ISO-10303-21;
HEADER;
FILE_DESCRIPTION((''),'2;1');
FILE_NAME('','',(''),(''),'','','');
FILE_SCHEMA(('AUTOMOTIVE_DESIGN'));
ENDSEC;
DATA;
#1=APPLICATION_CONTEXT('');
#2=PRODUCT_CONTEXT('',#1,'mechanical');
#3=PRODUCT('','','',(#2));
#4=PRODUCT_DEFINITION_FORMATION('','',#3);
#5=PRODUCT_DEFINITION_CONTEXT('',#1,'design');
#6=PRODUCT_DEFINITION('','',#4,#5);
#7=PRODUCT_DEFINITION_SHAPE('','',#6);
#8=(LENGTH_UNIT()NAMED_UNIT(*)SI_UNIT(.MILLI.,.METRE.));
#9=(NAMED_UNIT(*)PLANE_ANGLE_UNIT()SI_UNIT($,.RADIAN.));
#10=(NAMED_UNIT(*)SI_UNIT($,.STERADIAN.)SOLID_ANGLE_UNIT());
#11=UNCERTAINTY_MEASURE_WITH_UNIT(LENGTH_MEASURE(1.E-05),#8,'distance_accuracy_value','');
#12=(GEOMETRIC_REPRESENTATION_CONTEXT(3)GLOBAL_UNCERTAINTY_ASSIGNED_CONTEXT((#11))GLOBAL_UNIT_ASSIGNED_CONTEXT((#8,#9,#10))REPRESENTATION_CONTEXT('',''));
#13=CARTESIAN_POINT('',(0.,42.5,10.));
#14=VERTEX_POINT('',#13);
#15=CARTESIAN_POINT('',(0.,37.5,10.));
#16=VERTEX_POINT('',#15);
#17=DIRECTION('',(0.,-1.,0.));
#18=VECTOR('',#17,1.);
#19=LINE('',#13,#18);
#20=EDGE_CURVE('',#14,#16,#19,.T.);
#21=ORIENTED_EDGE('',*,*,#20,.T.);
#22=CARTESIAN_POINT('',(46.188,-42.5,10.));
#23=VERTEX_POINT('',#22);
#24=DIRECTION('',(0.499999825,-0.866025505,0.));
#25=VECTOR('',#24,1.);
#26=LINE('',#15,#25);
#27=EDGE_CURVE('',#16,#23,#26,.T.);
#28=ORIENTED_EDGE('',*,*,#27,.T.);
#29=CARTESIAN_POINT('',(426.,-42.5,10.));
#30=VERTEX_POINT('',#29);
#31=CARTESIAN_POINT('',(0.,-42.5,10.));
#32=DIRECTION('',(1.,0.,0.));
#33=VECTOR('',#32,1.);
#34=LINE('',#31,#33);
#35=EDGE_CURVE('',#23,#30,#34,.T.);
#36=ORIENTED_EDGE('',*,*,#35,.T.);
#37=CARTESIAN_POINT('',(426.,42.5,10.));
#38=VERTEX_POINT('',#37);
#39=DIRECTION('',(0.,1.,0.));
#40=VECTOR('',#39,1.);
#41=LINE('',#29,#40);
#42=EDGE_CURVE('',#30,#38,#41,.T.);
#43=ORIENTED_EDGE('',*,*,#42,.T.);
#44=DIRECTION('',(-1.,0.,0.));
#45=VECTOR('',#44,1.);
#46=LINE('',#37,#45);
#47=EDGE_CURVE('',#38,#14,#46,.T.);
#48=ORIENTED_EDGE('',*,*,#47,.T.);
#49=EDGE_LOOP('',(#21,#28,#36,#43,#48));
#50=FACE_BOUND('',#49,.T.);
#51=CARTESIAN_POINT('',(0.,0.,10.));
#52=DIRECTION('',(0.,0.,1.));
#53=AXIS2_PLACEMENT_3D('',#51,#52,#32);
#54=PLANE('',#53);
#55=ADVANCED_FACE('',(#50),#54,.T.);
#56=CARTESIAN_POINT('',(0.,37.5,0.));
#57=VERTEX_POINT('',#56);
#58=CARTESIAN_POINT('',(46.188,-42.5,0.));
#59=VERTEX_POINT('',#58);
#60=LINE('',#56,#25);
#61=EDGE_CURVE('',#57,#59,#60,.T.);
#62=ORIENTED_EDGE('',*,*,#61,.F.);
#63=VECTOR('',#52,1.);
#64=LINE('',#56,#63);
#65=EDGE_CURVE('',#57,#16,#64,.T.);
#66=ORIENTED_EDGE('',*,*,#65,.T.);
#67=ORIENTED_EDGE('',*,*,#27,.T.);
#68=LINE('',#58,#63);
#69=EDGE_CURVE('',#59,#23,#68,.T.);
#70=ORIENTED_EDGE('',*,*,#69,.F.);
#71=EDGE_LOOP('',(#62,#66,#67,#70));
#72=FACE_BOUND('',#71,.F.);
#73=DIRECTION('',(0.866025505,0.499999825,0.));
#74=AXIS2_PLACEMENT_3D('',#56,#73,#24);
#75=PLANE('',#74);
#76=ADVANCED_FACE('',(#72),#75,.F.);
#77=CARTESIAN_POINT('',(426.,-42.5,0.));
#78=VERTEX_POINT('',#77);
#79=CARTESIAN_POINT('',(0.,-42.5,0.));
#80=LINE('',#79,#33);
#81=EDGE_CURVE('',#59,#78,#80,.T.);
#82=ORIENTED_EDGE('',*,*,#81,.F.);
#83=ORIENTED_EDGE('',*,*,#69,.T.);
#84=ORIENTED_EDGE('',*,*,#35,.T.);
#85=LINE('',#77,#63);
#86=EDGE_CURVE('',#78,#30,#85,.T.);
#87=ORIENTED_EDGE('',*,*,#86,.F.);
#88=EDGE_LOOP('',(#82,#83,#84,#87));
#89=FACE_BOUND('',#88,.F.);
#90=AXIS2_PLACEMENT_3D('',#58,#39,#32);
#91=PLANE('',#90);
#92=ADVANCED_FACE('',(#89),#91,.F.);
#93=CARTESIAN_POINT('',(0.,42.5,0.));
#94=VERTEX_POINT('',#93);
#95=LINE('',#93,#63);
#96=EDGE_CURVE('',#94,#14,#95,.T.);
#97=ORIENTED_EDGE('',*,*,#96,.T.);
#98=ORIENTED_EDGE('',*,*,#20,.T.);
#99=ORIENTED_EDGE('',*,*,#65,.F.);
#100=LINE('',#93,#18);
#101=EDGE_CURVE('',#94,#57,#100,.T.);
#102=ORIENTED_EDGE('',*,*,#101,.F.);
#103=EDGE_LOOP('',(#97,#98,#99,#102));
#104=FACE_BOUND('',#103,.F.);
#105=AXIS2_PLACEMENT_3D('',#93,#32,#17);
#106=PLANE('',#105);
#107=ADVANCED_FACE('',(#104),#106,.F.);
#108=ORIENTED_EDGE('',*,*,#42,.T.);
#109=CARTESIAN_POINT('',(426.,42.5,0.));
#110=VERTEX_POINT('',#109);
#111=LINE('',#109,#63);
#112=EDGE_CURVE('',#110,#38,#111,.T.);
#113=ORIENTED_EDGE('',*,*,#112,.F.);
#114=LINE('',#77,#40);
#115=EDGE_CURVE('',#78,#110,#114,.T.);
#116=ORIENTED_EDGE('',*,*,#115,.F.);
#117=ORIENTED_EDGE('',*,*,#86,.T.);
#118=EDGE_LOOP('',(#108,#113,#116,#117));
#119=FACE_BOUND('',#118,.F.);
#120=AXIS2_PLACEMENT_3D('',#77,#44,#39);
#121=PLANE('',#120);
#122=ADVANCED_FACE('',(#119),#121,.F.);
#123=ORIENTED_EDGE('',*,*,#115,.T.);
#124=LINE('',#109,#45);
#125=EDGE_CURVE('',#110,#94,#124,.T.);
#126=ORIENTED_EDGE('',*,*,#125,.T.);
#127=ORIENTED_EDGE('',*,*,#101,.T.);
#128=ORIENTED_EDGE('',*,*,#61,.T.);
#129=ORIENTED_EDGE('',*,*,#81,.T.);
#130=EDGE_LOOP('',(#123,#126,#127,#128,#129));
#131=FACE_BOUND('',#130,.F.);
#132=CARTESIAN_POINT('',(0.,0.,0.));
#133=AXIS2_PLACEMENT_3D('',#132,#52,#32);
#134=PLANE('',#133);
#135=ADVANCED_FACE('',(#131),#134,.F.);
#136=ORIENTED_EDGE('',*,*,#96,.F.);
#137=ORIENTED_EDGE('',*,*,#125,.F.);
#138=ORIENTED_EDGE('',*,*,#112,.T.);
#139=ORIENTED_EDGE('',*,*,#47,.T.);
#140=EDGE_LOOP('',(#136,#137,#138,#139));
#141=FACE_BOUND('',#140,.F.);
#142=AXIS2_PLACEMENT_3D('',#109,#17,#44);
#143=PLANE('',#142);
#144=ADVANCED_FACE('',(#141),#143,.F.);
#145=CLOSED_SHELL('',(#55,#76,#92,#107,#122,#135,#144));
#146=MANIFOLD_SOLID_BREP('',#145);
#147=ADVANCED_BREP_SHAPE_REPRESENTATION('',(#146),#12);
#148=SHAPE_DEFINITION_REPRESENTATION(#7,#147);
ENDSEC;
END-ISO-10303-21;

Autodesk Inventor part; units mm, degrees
ref_plane "YZ Plane" through (0, 0, 0) normal (1, 0, 0) x (0, 1, 0)
ref_plane "XZ Plane" through (0, 0, 0) normal (0, 1, 0) x (-1, 0, 0)
ref_plane "XY Plane" through (0, 0, 0) normal (0, 0, 1) x (1, 0, 0)
sketch "Sketch1" plane through (0, 0, 0) normal (0, 0, 1) x (1, 0, 0)
  line L0 (0, -42.5) -> (426, -42.5)
  line L1 (426, -42.5) -> (426, 42.5)
  line L2 (426, 42.5) -> (0, 42.5)
  line L3 (0, 42.5) -> (0, -42.5)
  line L4 (0, 37.5) -> (46.188, -42.5)
  point P0 (0, 0)
  point P1 (0, 50.9494)
  point P2 (0, 42.7975)
  point P3 (0, 0)
  dimension "d17" = 85
  dimension "d18" = 426
  dimension "d19" = 60
  dimension "d20" = 5
extrude "Plate1" add sketch "Sketch1" along normal blind 10 contours L4 L3 L2 L1 L0
equation "\"d16\" = Thickness"
equation "\"BendReliefDepth\" = 0.5 * Thickness"
equation "\"Thickness\" = 10"
properties part number "NVPH-346 feeder hose 3"
